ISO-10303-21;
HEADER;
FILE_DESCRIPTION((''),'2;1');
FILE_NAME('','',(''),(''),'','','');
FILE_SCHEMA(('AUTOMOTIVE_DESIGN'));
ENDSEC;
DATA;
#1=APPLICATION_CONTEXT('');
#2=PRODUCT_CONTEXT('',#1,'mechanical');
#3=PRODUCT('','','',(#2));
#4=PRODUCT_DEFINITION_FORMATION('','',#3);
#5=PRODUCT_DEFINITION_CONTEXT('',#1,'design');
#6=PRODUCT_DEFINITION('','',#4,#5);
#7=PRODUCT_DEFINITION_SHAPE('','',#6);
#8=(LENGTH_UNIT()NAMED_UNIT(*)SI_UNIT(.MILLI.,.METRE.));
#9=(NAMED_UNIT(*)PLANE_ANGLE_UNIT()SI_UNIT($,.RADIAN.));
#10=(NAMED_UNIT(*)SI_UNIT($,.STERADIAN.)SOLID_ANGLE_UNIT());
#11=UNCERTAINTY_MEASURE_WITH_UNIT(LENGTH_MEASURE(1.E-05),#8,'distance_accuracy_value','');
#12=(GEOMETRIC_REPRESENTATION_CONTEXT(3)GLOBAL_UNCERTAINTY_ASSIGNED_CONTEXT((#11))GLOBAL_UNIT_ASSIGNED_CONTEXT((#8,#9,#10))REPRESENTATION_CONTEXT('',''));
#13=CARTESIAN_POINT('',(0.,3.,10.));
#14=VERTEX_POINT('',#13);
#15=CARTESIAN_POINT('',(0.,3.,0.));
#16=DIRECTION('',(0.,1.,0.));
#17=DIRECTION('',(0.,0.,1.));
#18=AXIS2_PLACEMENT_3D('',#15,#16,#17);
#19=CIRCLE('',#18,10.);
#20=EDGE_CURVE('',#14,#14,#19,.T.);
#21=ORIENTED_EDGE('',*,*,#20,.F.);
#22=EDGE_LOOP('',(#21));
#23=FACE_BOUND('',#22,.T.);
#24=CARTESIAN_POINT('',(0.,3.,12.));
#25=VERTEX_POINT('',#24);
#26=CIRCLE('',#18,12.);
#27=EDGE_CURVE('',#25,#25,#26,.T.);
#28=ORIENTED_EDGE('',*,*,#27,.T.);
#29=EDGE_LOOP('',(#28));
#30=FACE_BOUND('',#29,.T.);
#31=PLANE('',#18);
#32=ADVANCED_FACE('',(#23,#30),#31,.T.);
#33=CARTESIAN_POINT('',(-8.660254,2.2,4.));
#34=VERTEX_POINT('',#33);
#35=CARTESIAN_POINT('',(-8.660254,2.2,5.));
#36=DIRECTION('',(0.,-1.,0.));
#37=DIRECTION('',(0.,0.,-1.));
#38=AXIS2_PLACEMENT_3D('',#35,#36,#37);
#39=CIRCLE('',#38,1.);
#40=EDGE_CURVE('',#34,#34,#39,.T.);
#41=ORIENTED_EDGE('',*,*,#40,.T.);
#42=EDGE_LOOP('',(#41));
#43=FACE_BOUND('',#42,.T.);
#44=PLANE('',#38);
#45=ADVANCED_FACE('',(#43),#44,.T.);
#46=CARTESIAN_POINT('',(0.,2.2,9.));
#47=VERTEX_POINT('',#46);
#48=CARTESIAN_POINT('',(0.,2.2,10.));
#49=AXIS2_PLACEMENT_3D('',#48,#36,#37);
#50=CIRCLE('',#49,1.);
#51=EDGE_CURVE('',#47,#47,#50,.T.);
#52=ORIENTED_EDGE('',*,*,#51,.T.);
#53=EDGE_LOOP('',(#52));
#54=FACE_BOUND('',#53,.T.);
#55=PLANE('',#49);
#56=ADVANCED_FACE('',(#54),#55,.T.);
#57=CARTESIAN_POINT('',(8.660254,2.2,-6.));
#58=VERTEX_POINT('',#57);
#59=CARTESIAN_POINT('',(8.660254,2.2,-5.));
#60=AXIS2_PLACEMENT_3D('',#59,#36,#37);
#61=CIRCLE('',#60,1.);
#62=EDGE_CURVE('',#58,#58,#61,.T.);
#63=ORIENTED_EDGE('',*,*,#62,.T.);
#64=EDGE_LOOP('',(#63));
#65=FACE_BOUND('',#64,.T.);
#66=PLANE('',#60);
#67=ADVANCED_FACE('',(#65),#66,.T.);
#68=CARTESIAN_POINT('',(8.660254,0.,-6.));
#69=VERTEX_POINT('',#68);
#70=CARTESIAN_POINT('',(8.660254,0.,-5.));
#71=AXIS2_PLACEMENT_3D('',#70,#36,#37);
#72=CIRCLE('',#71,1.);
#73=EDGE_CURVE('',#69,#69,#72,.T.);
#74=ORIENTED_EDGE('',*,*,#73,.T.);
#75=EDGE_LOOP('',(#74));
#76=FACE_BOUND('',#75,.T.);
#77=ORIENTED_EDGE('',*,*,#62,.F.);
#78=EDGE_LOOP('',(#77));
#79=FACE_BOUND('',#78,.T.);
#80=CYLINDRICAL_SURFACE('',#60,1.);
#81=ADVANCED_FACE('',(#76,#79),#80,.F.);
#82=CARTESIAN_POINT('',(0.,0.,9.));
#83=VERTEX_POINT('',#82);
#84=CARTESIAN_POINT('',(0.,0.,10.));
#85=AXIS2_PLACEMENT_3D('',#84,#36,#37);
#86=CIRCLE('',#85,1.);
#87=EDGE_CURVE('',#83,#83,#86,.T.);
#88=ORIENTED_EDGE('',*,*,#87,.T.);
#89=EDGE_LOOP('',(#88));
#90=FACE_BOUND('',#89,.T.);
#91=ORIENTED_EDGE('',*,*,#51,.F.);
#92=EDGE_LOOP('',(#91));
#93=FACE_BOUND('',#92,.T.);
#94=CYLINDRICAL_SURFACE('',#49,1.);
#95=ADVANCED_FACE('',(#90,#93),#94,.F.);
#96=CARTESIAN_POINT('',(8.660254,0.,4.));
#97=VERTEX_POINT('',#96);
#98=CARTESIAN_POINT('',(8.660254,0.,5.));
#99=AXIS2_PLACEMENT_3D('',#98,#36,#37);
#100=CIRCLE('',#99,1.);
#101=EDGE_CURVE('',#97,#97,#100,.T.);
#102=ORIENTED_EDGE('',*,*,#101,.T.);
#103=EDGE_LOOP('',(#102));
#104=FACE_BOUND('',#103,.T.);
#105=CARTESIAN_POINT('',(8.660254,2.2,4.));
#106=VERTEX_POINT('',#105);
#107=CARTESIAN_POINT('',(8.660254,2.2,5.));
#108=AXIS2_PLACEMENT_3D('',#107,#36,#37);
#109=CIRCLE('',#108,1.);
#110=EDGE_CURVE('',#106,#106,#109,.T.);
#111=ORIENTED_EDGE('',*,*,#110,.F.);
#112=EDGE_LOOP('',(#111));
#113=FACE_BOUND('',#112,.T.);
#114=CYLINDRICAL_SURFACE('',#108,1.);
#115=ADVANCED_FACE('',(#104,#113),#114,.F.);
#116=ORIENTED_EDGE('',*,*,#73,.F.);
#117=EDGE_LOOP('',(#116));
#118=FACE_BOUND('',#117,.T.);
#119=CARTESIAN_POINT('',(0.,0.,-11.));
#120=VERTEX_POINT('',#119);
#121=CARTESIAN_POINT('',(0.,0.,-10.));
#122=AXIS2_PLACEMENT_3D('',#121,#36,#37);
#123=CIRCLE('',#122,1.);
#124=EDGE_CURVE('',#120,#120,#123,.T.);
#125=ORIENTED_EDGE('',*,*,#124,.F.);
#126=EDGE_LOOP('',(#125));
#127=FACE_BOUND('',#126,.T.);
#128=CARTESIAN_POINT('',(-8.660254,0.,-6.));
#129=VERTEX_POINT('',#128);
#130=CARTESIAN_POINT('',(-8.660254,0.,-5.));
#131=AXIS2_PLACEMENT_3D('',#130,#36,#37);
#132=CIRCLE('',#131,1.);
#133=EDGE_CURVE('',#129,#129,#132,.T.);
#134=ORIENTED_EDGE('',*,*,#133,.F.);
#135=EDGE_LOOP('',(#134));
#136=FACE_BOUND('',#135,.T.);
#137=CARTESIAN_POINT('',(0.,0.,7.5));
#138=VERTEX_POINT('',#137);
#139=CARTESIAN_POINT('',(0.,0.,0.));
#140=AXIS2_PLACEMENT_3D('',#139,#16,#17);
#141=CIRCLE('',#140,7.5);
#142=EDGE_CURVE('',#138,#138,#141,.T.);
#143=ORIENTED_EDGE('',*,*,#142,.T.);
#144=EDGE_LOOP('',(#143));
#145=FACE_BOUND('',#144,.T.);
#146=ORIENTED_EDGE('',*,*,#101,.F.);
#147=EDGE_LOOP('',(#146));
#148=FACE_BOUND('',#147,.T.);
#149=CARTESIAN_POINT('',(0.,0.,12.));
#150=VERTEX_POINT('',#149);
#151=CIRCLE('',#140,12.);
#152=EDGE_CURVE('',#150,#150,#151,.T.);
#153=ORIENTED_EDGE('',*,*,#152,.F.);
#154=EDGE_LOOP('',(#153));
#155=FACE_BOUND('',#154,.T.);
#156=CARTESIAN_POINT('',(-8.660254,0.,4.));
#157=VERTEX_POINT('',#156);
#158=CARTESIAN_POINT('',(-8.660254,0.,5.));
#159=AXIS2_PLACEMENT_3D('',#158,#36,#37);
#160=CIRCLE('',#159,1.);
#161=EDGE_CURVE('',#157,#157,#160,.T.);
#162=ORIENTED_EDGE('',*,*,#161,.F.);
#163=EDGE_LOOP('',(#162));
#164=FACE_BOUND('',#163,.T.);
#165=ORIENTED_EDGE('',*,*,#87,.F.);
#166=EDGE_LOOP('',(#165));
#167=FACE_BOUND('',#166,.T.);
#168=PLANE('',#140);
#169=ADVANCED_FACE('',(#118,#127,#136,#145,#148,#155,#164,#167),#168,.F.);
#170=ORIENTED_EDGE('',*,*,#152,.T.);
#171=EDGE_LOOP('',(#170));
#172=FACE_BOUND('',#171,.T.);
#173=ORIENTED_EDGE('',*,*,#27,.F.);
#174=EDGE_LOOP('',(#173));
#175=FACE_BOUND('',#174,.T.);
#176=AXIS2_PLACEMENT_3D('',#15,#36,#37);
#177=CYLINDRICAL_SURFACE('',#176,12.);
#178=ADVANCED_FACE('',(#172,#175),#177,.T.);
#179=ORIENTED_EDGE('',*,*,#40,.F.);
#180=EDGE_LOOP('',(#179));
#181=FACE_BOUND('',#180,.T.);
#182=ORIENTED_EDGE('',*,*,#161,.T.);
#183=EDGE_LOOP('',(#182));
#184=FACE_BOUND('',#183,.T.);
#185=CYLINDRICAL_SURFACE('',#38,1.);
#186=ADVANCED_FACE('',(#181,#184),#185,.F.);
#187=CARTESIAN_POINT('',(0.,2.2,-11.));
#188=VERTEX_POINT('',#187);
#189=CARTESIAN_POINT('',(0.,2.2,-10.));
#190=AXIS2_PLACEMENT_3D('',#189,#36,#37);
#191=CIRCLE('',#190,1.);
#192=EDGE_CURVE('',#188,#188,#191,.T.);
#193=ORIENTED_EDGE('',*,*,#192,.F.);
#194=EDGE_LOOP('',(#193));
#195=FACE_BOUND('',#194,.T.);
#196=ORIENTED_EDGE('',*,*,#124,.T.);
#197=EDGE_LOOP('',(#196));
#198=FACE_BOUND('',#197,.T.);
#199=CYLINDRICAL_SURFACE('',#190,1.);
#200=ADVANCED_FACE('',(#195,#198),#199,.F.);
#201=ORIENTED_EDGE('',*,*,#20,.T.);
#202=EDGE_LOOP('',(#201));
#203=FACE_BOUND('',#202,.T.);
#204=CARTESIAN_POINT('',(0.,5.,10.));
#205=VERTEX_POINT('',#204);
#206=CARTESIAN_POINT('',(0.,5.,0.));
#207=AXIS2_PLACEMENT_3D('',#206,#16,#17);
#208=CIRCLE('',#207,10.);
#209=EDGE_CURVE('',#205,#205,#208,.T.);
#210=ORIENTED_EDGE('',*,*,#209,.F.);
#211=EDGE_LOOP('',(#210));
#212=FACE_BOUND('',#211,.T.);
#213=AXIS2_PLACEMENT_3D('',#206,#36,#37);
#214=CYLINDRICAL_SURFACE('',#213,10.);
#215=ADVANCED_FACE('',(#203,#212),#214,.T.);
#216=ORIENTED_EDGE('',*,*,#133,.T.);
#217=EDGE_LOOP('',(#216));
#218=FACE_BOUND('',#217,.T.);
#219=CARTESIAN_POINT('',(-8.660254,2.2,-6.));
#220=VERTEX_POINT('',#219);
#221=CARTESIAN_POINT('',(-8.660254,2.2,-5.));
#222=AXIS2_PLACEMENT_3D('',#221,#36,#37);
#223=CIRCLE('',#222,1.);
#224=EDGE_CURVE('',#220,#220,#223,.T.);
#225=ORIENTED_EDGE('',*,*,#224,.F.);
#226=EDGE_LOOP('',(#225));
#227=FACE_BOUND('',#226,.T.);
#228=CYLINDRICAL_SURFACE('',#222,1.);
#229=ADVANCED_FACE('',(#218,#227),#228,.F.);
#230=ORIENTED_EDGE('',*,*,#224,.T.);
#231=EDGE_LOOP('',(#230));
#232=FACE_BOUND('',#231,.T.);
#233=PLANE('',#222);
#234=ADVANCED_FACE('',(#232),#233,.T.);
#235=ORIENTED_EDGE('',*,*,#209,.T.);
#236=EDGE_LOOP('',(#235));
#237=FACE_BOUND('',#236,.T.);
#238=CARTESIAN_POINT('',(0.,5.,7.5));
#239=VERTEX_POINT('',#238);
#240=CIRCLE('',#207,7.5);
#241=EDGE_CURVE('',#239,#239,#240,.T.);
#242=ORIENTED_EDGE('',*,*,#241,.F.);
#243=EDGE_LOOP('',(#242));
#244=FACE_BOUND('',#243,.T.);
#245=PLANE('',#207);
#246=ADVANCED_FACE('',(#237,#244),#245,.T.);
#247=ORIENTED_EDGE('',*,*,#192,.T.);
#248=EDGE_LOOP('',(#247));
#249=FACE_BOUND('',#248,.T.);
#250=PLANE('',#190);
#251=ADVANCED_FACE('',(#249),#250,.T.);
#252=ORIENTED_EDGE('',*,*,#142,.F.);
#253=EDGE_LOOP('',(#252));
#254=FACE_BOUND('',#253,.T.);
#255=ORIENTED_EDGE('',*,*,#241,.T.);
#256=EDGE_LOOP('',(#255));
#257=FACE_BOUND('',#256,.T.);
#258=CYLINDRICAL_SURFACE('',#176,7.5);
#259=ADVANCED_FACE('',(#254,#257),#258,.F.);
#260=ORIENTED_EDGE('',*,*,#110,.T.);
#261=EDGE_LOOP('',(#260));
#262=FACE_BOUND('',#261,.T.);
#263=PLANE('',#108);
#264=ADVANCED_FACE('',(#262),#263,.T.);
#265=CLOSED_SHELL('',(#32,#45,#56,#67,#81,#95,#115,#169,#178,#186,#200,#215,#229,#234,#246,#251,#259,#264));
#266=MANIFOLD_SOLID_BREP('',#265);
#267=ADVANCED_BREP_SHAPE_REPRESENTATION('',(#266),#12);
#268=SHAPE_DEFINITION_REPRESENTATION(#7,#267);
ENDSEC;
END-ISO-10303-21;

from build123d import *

# Parameters (mm, degrees)
SKETCH1_R           = 12
SKETCH1_R_2         = 7.5
BOSS_EXTRUDE1_DEPTH = 3
SKETCH2_R           = 1
CUT_EXTRUDE1_DEPTH  = 2.2
SKETCH3_R           = 10
SKETCH3_R_2         = 7.5
BOSS_EXTRUDE2_DEPTH = 2


with BuildPart() as part:
    # Sketch1 → Boss-Extrude1 (new body)
    with BuildSketch(Plane(origin=(0, 0, 0), x_dir=(1, 0, 0), z_dir=(0, 1, 0))):
        Circle(SKETCH1_R)
        Circle(SKETCH1_R_2, mode=Mode.SUBTRACT)
    extrude(amount=BOSS_EXTRUDE1_DEPTH)

    # Sketch2 → Cut-Extrude1 (cut)
    with BuildSketch(Plane.XZ):
        with Locations((0, 10)):
            Circle(SKETCH2_R)
        with Locations((-8.660254038, 5)):
            Circle(SKETCH2_R)
        with Locations((-8.660254038, -5)):
            Circle(SKETCH2_R)
        with Locations((0, -10)):
            Circle(SKETCH2_R)
        with Locations((8.660254038, -5)):
            Circle(SKETCH2_R)
        with Locations((8.660254038, 5)):
            Circle(SKETCH2_R)
    extrude(amount=-CUT_EXTRUDE1_DEPTH, mode=Mode.SUBTRACT)

    # Sketch3 → Boss-Extrude2 (add)
    with BuildSketch(Plane(origin=(0, 3, 0), x_dir=(1, 0, 0), z_dir=(0, 1, 0))):
        Circle(SKETCH3_R)
        Circle(SKETCH3_R_2, mode=Mode.SUBTRACT)
    extrude(amount=BOSS_EXTRUDE2_DEPTH)


solid = part.part
